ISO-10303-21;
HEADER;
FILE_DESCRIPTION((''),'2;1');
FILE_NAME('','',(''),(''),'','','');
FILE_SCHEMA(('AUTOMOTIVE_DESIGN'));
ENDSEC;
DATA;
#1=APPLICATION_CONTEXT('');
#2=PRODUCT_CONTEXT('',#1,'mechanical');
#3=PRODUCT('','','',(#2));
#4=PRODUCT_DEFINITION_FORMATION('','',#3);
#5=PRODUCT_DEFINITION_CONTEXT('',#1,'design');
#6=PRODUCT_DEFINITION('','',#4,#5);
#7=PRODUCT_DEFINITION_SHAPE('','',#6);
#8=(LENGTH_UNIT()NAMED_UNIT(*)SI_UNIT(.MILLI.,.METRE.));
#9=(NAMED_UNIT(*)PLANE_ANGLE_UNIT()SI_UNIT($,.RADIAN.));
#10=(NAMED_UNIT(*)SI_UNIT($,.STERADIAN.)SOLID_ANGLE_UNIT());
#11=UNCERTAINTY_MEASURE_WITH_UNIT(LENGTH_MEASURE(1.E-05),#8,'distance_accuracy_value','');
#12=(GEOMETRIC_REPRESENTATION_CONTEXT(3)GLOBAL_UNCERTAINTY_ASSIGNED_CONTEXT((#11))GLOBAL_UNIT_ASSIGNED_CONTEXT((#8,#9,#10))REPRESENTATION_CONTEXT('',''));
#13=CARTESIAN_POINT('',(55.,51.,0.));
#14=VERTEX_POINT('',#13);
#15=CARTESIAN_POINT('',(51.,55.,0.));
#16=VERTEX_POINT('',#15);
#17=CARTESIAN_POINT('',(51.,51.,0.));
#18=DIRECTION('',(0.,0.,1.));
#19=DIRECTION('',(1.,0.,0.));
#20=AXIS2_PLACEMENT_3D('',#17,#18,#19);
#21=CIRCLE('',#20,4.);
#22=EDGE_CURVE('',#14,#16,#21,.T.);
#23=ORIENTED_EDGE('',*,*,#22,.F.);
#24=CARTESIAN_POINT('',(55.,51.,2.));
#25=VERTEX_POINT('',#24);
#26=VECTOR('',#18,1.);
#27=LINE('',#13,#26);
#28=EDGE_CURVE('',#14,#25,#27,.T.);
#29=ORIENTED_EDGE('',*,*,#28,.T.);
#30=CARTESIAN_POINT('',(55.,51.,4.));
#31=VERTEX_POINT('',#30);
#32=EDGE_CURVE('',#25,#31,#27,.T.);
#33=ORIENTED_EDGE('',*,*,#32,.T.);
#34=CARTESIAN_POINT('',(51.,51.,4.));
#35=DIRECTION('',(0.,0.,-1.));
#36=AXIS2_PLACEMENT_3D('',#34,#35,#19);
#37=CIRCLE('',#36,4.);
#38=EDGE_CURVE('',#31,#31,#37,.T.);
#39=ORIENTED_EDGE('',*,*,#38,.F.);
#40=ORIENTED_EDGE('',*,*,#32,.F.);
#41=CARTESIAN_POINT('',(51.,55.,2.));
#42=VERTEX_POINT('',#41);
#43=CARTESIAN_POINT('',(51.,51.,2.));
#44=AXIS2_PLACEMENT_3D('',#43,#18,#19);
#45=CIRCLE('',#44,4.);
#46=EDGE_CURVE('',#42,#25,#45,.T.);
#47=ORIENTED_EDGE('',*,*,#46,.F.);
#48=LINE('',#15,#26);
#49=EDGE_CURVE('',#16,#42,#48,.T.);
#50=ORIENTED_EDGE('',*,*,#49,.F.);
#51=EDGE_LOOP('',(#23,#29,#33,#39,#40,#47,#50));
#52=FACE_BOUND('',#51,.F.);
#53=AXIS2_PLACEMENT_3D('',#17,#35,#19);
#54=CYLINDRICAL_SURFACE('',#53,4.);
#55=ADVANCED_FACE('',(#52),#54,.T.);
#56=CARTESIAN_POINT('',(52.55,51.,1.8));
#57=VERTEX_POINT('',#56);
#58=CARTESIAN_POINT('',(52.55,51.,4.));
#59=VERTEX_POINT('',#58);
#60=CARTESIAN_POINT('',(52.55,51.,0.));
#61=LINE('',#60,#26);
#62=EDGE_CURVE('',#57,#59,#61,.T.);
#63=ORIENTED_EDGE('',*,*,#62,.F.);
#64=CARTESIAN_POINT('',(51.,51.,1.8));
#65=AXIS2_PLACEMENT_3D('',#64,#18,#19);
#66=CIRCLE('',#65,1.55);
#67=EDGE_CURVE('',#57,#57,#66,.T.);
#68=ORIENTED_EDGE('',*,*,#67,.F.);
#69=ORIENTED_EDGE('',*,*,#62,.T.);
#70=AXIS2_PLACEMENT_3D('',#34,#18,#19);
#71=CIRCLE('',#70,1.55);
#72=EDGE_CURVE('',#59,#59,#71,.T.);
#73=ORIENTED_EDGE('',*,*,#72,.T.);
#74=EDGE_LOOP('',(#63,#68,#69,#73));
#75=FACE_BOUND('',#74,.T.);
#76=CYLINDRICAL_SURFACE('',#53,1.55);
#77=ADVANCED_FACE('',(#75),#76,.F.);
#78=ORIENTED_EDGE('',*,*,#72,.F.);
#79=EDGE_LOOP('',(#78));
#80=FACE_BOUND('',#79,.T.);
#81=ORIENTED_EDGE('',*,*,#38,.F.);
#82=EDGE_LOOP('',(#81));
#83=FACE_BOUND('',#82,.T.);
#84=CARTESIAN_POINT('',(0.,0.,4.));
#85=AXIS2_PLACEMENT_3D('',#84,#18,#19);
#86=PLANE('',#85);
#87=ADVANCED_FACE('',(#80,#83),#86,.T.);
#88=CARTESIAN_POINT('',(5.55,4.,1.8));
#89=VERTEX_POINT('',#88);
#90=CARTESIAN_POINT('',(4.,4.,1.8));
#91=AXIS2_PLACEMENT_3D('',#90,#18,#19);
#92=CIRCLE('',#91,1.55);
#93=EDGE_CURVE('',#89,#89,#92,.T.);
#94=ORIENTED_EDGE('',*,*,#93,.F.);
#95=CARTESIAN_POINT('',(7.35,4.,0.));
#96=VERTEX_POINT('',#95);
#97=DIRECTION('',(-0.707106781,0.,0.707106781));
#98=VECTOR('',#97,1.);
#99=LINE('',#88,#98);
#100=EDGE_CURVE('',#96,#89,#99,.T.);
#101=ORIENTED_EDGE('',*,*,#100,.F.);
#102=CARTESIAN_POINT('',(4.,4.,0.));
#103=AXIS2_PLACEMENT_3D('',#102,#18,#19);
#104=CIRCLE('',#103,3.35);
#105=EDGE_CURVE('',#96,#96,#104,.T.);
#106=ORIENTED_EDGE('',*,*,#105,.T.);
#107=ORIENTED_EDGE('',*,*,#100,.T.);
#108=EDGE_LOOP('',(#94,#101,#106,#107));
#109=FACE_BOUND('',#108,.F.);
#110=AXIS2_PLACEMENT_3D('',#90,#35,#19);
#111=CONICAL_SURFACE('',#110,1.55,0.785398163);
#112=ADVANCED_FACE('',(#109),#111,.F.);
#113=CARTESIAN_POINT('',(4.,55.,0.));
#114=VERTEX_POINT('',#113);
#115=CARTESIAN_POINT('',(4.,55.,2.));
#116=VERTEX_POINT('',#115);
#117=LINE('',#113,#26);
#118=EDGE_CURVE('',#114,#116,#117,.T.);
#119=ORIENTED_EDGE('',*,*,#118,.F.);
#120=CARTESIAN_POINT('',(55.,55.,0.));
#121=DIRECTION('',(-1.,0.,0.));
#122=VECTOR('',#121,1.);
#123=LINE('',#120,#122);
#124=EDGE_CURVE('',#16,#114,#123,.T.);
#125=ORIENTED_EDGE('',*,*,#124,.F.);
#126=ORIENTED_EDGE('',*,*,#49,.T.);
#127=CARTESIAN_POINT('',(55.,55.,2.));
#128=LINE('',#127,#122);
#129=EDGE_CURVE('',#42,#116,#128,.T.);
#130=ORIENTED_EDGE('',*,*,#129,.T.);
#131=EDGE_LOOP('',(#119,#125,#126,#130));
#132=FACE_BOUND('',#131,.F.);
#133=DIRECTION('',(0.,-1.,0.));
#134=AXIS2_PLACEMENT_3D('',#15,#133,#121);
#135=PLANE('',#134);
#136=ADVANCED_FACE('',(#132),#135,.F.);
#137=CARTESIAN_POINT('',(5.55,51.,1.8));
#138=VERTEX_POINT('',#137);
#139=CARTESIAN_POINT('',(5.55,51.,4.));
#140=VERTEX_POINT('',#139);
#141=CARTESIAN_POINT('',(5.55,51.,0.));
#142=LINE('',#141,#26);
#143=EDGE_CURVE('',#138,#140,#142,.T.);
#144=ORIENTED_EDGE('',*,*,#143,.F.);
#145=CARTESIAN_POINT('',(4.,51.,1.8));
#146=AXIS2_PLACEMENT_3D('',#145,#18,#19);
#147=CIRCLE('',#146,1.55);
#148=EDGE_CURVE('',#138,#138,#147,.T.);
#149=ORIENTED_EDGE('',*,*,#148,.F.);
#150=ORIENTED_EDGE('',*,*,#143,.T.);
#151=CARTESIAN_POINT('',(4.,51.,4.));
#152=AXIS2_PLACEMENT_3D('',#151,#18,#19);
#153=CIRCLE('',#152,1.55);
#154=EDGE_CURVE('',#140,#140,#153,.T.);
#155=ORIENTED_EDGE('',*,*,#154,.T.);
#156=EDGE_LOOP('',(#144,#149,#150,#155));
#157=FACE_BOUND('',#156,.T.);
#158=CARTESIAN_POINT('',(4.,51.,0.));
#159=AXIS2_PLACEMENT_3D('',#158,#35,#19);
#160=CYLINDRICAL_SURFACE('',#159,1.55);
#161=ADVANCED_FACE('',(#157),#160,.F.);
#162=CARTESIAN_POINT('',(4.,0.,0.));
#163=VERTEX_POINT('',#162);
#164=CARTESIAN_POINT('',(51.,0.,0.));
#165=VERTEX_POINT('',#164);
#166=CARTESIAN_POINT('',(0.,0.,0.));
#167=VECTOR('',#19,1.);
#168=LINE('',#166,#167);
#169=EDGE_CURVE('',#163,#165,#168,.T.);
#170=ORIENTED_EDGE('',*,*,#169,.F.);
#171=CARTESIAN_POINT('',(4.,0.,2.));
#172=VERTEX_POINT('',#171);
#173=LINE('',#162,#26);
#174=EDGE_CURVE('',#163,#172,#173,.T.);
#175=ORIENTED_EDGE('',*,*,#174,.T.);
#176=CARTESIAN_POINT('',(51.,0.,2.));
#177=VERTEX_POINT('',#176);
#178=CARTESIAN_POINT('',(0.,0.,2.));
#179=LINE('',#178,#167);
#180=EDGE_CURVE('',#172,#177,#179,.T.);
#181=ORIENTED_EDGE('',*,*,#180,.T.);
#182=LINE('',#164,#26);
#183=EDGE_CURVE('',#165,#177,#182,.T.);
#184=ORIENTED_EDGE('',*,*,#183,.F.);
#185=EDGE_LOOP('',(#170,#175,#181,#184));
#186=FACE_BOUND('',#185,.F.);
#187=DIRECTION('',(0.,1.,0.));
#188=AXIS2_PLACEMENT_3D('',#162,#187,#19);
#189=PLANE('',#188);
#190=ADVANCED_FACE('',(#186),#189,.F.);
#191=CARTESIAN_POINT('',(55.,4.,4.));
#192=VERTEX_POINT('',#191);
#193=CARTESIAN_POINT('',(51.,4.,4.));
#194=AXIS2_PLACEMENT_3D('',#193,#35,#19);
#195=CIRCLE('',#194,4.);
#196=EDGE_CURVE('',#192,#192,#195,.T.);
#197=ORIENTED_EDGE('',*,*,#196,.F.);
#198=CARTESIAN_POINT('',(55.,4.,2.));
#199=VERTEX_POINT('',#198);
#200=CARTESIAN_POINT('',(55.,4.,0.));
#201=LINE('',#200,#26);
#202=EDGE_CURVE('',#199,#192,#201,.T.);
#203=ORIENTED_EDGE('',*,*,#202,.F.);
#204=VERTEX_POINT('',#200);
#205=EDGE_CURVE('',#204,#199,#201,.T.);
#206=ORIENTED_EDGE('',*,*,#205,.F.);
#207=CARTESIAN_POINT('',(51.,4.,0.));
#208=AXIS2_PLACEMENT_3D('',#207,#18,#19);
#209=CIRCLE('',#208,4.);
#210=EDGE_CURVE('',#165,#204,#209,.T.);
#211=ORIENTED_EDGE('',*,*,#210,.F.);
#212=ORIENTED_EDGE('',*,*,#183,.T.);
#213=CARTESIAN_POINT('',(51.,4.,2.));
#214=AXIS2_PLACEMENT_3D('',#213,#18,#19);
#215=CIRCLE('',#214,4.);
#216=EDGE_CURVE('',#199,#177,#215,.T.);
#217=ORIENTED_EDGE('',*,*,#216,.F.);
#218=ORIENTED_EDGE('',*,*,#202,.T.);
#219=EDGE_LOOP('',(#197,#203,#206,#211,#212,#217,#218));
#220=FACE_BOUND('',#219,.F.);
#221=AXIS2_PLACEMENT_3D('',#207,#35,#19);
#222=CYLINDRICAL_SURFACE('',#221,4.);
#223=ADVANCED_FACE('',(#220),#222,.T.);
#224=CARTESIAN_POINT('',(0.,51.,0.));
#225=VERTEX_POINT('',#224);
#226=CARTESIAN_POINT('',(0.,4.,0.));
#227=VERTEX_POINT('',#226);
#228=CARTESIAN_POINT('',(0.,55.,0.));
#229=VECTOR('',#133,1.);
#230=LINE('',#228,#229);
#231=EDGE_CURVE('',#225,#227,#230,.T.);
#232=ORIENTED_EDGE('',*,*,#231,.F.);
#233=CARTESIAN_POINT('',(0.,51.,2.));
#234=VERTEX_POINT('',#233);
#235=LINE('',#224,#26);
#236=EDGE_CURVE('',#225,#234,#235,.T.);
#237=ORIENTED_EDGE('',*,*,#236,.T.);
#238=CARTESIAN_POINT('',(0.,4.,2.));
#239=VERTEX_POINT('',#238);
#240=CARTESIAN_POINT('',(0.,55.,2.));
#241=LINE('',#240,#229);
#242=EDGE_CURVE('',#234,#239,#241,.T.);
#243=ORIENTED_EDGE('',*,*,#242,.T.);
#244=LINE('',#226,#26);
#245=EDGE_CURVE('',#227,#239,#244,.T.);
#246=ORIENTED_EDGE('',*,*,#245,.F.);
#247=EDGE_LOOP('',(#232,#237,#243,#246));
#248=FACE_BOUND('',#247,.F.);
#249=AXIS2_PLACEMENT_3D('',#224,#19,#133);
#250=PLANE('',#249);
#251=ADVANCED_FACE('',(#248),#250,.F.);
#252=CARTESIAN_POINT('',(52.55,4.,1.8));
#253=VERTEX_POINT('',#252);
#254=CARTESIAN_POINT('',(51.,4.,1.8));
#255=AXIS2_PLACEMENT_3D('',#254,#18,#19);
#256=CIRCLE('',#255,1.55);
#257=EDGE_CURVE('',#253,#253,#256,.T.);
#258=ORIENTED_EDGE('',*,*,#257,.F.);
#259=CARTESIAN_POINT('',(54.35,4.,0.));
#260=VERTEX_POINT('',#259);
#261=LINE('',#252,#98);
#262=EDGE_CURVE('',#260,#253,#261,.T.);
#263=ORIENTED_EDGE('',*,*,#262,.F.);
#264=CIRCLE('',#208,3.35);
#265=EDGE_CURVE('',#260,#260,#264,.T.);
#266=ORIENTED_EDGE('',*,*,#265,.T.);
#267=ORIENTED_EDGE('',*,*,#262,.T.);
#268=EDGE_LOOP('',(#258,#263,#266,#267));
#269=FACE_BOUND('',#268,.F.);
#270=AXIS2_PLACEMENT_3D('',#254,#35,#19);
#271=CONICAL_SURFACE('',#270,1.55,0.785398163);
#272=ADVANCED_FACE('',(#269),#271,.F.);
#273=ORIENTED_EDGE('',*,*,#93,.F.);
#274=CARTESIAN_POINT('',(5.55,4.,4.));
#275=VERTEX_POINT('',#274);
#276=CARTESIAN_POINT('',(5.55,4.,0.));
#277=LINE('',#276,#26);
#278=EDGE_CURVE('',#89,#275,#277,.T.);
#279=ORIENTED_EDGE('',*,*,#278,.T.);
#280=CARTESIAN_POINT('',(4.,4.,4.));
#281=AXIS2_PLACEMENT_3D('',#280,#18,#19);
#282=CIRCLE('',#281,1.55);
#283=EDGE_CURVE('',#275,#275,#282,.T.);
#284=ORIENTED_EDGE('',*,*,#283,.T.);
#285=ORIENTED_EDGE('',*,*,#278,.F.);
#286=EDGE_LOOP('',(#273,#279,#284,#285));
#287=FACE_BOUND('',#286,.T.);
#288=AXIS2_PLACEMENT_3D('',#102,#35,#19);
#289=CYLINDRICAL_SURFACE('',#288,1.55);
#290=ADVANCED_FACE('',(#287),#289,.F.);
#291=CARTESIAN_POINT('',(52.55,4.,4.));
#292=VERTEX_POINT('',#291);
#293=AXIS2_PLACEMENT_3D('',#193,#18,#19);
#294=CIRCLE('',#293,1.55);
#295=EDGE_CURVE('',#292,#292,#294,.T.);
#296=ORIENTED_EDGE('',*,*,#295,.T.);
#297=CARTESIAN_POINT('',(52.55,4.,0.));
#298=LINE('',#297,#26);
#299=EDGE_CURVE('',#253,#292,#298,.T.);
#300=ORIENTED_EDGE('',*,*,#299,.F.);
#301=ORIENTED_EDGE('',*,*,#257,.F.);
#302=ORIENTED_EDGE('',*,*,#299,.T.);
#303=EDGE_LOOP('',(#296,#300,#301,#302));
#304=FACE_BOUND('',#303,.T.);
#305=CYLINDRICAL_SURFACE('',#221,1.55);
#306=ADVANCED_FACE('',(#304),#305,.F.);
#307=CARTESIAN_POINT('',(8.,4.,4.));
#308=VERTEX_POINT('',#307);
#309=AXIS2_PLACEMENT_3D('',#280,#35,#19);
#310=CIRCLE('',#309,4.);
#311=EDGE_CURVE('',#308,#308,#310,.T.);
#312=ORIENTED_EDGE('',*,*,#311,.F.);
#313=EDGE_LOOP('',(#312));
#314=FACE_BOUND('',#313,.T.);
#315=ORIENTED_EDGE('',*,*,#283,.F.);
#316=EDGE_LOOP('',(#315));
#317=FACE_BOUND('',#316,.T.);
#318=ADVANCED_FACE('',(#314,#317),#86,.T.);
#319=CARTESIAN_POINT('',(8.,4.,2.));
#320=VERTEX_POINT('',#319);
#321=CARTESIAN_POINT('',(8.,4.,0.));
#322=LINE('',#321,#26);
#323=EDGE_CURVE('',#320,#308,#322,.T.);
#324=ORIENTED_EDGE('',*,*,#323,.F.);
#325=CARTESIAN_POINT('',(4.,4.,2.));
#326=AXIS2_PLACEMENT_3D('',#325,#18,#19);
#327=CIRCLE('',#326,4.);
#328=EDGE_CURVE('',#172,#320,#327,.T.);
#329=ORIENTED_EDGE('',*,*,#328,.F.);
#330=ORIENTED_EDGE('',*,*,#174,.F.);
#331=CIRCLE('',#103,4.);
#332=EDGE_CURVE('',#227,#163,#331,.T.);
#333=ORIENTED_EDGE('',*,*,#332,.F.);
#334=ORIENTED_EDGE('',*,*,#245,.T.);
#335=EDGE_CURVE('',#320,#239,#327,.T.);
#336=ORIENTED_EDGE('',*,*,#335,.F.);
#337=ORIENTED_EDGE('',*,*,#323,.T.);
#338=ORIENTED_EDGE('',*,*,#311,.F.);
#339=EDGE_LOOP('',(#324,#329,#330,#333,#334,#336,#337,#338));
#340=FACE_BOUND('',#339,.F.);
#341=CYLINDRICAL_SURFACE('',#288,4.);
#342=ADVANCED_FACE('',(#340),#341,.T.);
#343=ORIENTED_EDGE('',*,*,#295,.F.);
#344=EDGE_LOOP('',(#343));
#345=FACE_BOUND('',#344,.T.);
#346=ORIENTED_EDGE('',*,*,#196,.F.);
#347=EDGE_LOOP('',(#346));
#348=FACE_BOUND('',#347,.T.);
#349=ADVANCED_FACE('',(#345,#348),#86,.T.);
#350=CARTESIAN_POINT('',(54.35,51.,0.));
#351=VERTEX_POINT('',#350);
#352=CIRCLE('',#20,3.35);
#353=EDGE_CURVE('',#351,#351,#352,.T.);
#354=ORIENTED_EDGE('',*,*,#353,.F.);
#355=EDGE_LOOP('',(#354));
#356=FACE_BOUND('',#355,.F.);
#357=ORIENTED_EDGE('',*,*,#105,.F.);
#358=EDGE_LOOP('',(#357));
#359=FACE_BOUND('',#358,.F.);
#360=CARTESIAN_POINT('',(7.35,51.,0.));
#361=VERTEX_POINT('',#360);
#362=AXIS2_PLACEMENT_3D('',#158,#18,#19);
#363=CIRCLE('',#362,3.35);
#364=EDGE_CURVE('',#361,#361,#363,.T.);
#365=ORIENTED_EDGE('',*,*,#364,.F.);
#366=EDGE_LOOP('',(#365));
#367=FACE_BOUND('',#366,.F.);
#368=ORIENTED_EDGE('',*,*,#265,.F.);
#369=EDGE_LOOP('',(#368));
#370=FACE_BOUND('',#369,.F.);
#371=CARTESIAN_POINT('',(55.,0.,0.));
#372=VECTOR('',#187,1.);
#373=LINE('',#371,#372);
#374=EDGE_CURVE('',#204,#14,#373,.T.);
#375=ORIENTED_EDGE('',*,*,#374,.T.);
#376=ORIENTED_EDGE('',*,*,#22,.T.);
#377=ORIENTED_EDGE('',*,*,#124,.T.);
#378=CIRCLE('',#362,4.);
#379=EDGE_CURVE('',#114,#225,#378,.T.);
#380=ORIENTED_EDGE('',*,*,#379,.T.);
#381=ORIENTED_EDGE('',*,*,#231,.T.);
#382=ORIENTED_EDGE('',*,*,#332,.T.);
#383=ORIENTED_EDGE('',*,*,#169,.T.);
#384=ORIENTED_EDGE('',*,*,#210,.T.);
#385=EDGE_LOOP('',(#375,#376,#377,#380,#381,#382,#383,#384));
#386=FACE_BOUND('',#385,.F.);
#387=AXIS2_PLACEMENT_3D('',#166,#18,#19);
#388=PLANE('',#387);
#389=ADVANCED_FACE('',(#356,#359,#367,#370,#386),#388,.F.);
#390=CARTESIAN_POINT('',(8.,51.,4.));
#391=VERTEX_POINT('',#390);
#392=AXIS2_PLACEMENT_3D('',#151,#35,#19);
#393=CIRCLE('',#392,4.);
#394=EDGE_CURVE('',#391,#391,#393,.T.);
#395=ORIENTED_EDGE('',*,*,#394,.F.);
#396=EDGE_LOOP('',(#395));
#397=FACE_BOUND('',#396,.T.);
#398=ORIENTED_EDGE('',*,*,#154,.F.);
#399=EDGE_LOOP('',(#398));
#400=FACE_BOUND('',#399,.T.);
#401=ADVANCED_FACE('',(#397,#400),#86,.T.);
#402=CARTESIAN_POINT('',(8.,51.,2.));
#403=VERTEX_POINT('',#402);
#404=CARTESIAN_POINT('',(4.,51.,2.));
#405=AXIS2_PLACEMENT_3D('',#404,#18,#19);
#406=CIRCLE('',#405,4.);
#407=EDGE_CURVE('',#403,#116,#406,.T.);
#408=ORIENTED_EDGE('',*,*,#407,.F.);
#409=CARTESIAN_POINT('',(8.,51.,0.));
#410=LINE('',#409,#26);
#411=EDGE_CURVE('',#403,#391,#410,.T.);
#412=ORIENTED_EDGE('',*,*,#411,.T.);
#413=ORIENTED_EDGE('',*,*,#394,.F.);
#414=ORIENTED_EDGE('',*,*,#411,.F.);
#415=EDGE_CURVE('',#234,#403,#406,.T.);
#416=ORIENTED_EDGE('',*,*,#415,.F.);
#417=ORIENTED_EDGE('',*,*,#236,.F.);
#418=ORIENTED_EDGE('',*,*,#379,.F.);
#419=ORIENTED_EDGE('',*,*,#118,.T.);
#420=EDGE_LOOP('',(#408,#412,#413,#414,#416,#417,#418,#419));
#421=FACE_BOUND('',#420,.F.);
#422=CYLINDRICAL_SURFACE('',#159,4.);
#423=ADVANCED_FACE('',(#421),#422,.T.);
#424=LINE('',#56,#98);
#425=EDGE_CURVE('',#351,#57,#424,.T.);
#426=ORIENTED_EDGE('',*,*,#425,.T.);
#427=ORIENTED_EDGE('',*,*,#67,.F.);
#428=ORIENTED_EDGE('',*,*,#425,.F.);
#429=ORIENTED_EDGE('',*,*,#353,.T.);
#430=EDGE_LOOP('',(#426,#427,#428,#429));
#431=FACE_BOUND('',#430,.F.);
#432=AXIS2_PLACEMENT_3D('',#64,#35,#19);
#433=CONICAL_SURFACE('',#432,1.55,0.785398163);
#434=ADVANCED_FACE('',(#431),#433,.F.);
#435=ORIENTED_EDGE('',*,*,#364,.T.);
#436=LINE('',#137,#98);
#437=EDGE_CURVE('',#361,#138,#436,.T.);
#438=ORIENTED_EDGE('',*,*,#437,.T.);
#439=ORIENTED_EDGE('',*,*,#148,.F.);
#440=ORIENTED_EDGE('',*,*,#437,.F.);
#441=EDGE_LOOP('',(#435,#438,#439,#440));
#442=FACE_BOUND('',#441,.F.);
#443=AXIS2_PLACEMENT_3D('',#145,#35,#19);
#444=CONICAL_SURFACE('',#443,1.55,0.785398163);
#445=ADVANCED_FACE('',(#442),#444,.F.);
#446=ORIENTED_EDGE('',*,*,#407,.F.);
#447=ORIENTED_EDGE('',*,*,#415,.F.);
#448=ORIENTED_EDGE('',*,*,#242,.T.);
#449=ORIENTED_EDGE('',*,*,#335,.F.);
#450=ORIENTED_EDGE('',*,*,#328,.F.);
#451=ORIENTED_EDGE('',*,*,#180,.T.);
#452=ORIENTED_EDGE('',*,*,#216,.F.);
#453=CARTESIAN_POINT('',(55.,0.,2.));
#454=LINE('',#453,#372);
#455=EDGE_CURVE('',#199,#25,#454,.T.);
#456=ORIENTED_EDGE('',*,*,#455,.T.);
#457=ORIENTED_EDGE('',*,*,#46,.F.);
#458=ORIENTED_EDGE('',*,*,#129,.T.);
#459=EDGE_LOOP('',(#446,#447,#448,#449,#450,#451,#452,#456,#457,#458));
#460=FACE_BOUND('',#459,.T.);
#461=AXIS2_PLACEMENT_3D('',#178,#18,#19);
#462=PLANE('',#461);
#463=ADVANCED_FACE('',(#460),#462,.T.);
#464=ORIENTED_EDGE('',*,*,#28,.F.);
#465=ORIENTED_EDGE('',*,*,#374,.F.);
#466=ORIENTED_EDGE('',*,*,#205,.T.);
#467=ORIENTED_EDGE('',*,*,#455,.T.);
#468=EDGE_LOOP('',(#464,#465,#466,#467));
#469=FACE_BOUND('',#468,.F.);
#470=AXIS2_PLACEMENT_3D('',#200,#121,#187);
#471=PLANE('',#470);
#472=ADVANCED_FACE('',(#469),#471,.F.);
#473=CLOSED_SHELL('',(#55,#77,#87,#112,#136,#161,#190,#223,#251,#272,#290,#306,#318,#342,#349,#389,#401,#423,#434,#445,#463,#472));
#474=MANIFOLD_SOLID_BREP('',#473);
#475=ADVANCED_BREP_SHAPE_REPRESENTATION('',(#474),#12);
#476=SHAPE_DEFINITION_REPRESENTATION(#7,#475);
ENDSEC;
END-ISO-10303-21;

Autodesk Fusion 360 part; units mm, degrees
sketch "Sketch1" plane through (0, 0, 0) normal (0, 0, 1) x (1, 0, 0)
  line L0 (0, 0) -> (55, 0)
  line L1 (55, 0) -> (55, 55)
  line L2 (55, 55) -> (0, 55)
  line L3 (0, 55) -> (0, 0)
  circle A0 centre (4, 51) radius 4
  circle A1 centre (51, 51) radius 4
  circle A2 centre (4, 4) radius 4
  circle A3 centre (51, 4) radius 4
  circle A4 centre (4, 51) radius 1.55
  circle A5 centre (51, 51) radius 1.55
  circle A6 centre (4, 4) radius 1.55
  circle A7 centre (51, 4) radius 1.55
  dimension "d1" = 55
  dimension "d2" = 55
  dimension "d3" = 8
  dimension "d4" = 8
  dimension "d5" = 8
  dimension "d6" = 8
  dimension "d7" = 4
  dimension "d8" = 4
  dimension "d9" = 4
  dimension "d10" = 4
  dimension "d11" = 4
  dimension "d12" = 4
  dimension "d13" = 4
  dimension "d14" = 4
  dimension "d15" = 3.1
  dimension "d16" = 3.1
  dimension "d17" = 3.1
  dimension "d18" = 3.1
extrude "Extrude1" add sketch "Sketch1" along normal blind 2 contours L0 L1 L2 L3 A0 A1 A2 A3
extrude "Extrude2" add sketch "Sketch1" along normal blind 4 contours A2 | A3 | A0 | A1
chamfer "Chamfer1" distance 1.8 angle 45 4 edges at (2.5549, 4.5605, 0) (49.5549, 4.5605, 0) (49.5549, 51.5605, 0) (2.5549, 51.5605, 0)
